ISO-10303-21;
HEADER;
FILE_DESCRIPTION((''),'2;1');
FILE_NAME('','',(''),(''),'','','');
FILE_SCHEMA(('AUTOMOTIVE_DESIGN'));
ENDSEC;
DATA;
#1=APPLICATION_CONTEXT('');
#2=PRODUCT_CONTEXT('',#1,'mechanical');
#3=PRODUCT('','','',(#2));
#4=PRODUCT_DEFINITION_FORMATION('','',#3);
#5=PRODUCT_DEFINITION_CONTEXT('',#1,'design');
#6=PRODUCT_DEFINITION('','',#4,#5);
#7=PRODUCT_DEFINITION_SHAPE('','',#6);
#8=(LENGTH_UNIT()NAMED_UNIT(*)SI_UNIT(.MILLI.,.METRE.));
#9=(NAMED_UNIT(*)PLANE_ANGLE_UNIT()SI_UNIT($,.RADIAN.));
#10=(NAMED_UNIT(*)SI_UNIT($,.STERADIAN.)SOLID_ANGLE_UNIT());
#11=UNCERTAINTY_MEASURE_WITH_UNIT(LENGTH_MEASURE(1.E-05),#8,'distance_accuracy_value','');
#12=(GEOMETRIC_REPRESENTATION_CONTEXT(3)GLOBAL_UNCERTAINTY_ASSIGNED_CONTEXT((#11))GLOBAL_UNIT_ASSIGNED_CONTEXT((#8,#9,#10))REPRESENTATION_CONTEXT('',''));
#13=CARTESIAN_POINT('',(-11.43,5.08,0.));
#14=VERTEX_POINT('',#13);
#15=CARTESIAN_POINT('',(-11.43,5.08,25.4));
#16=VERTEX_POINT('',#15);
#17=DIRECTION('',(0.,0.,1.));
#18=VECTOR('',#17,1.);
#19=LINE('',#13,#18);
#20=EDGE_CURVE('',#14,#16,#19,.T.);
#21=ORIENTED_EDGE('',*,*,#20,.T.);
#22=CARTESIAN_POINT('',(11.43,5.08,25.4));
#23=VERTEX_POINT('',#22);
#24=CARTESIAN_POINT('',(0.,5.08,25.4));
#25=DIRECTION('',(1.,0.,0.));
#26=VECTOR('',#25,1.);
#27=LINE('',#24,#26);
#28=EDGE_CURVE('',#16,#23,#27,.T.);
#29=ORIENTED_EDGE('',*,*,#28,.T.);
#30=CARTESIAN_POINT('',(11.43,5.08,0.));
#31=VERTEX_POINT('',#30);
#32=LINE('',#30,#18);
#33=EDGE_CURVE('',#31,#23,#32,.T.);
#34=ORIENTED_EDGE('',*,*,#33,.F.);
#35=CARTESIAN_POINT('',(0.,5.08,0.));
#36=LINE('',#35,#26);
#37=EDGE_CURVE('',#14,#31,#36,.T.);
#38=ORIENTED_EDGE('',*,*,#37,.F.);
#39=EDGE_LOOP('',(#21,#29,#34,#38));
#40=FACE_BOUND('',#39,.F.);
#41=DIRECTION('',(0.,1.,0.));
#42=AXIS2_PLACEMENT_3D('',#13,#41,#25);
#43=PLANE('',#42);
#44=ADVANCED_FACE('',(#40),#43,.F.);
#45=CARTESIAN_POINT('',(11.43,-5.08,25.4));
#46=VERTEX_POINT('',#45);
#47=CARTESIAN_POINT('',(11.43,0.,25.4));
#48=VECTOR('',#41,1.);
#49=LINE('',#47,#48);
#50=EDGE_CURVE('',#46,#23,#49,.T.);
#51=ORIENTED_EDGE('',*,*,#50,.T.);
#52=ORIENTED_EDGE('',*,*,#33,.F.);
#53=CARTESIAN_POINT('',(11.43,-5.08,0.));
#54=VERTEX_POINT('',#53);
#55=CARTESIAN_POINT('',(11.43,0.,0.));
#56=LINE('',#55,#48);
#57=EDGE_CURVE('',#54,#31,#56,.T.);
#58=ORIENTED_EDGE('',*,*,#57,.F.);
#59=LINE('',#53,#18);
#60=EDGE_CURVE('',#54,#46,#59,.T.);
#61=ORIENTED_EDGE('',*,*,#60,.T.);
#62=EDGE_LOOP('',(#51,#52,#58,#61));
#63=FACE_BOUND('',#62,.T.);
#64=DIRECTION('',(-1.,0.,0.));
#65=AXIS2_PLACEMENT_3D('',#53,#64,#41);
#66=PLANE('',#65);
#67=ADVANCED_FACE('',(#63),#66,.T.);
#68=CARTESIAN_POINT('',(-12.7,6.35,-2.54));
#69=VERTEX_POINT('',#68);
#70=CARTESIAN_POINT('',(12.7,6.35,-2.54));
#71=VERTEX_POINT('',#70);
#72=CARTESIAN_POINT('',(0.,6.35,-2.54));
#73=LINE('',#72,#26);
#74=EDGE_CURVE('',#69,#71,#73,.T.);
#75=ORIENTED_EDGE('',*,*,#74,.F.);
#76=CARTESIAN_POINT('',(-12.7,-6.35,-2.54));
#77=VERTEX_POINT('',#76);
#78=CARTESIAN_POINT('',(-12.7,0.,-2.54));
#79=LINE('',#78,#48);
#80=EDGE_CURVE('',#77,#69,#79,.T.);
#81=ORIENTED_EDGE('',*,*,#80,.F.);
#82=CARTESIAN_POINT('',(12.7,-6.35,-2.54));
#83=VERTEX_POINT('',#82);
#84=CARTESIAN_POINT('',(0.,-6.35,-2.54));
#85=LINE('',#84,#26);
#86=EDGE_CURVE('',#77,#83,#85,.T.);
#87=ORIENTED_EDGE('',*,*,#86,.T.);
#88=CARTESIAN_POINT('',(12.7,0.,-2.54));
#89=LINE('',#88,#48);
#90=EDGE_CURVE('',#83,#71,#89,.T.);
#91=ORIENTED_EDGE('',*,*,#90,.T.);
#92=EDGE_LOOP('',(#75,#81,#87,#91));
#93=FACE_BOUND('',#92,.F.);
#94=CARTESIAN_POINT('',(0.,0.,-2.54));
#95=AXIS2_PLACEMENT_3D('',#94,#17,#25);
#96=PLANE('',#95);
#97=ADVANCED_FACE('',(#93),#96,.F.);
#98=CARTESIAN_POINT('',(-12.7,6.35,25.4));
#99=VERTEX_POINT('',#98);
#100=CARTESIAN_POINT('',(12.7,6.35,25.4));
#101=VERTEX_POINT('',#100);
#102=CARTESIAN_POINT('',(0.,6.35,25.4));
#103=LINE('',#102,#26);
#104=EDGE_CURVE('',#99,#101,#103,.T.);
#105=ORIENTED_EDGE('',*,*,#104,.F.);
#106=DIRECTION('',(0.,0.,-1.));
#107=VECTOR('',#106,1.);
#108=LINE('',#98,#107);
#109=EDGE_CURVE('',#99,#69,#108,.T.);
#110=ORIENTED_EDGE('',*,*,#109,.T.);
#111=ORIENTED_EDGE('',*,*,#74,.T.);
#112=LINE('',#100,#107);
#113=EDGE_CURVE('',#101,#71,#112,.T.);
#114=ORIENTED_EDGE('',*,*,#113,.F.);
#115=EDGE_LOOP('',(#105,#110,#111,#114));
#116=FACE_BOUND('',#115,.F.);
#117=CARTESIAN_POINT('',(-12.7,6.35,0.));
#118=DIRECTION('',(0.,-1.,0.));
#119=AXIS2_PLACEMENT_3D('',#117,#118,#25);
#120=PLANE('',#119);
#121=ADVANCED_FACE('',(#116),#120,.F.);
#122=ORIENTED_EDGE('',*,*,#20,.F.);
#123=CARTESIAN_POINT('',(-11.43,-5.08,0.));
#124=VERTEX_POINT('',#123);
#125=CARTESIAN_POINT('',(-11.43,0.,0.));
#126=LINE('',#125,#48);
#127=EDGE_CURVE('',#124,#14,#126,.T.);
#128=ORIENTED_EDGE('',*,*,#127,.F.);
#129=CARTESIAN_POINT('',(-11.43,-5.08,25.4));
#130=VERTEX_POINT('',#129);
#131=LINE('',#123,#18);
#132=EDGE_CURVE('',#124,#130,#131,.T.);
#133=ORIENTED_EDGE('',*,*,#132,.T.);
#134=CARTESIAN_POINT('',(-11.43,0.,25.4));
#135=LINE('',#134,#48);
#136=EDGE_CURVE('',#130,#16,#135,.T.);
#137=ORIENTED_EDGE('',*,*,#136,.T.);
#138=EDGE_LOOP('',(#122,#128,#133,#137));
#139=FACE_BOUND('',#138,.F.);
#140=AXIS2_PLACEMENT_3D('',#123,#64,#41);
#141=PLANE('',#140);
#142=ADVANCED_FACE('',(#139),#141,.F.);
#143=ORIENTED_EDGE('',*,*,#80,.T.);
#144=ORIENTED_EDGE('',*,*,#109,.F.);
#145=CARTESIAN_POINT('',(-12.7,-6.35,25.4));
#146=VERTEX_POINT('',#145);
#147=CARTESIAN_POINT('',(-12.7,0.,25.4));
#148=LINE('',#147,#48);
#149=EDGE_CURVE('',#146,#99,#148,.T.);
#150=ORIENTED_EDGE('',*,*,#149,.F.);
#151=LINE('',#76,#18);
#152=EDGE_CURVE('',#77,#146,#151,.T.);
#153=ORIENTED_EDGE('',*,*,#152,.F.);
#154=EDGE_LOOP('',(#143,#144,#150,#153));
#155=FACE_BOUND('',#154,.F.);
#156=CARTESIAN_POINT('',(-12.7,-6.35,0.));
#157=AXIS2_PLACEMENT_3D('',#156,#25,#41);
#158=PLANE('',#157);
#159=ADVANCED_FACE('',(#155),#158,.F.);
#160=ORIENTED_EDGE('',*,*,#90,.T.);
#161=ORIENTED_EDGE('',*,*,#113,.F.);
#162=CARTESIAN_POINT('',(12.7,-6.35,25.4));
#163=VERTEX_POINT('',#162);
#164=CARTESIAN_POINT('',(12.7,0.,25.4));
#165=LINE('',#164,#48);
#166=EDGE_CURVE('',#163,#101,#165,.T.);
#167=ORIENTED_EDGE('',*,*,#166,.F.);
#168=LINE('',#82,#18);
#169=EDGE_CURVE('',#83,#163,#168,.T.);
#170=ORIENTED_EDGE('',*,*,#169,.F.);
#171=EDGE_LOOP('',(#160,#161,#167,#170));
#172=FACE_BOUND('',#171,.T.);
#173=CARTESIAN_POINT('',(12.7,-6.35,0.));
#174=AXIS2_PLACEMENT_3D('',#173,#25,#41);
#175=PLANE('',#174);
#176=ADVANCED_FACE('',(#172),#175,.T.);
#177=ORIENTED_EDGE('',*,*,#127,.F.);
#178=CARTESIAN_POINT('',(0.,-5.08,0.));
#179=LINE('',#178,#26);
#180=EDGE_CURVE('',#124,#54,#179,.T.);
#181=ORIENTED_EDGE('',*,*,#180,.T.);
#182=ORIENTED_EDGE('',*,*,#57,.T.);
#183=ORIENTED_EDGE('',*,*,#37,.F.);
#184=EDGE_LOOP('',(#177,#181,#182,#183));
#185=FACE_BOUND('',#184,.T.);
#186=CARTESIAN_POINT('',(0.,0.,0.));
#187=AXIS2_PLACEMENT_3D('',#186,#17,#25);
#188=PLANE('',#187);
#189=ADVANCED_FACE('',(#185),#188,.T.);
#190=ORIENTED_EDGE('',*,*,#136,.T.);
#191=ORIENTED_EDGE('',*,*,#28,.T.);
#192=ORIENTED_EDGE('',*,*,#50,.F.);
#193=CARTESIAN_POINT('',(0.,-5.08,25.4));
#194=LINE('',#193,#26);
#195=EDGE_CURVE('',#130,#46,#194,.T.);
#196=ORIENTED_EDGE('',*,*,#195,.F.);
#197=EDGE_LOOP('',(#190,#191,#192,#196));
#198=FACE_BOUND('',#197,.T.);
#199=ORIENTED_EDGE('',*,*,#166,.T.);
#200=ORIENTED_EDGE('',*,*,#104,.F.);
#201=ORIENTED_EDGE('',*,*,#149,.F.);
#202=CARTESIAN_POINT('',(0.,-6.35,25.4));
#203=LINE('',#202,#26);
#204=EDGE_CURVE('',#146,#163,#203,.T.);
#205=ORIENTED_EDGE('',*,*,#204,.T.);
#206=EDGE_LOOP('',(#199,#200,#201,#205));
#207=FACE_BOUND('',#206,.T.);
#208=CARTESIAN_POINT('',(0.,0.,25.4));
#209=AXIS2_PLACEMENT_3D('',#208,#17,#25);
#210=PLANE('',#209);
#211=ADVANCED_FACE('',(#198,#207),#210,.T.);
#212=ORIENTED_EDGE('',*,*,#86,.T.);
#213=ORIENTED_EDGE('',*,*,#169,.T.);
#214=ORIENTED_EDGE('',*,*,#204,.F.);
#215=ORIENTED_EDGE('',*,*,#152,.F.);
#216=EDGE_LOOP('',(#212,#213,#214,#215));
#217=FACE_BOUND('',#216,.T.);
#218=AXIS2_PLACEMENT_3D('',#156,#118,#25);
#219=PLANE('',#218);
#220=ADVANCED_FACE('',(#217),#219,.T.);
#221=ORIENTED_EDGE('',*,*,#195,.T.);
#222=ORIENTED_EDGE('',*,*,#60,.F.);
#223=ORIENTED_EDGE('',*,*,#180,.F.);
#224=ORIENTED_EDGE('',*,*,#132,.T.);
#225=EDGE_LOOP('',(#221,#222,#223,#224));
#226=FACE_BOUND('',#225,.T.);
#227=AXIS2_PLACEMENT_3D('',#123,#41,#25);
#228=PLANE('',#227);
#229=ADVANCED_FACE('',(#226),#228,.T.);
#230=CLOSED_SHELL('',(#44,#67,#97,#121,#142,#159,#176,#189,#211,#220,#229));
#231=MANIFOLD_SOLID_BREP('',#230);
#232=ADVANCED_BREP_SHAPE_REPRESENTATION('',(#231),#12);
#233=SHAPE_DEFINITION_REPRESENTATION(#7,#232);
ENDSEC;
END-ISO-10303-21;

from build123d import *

# Parameters (mm, degrees)
F0_W     = 25.4
F0_H     = 12.7
F0_W_2   = 22.86
F0_H_2   = 10.16
F1_DEPTH = 25.4
F2_DEPTH = 2.54


with BuildPart() as f1:
    # F0 (on Top) → F1 (new body)
    with BuildSketch(Plane.XY):
        Rectangle(F0_W, F0_H)
        Rectangle(F0_W_2, F0_H_2, mode=Mode.SUBTRACT)
    extrude(amount=F1_DEPTH)

    # F0 (on Top) → F2 (join)
    with BuildSketch(Plane.XY):
        Rectangle(F0_W, F0_H)
        Rectangle(F0_W_2, F0_H_2, mode=Mode.SUBTRACT)
        Rectangle(F0_W_2, F0_H_2)
    extrude(amount=-F2_DEPTH)


solid = f1.part
